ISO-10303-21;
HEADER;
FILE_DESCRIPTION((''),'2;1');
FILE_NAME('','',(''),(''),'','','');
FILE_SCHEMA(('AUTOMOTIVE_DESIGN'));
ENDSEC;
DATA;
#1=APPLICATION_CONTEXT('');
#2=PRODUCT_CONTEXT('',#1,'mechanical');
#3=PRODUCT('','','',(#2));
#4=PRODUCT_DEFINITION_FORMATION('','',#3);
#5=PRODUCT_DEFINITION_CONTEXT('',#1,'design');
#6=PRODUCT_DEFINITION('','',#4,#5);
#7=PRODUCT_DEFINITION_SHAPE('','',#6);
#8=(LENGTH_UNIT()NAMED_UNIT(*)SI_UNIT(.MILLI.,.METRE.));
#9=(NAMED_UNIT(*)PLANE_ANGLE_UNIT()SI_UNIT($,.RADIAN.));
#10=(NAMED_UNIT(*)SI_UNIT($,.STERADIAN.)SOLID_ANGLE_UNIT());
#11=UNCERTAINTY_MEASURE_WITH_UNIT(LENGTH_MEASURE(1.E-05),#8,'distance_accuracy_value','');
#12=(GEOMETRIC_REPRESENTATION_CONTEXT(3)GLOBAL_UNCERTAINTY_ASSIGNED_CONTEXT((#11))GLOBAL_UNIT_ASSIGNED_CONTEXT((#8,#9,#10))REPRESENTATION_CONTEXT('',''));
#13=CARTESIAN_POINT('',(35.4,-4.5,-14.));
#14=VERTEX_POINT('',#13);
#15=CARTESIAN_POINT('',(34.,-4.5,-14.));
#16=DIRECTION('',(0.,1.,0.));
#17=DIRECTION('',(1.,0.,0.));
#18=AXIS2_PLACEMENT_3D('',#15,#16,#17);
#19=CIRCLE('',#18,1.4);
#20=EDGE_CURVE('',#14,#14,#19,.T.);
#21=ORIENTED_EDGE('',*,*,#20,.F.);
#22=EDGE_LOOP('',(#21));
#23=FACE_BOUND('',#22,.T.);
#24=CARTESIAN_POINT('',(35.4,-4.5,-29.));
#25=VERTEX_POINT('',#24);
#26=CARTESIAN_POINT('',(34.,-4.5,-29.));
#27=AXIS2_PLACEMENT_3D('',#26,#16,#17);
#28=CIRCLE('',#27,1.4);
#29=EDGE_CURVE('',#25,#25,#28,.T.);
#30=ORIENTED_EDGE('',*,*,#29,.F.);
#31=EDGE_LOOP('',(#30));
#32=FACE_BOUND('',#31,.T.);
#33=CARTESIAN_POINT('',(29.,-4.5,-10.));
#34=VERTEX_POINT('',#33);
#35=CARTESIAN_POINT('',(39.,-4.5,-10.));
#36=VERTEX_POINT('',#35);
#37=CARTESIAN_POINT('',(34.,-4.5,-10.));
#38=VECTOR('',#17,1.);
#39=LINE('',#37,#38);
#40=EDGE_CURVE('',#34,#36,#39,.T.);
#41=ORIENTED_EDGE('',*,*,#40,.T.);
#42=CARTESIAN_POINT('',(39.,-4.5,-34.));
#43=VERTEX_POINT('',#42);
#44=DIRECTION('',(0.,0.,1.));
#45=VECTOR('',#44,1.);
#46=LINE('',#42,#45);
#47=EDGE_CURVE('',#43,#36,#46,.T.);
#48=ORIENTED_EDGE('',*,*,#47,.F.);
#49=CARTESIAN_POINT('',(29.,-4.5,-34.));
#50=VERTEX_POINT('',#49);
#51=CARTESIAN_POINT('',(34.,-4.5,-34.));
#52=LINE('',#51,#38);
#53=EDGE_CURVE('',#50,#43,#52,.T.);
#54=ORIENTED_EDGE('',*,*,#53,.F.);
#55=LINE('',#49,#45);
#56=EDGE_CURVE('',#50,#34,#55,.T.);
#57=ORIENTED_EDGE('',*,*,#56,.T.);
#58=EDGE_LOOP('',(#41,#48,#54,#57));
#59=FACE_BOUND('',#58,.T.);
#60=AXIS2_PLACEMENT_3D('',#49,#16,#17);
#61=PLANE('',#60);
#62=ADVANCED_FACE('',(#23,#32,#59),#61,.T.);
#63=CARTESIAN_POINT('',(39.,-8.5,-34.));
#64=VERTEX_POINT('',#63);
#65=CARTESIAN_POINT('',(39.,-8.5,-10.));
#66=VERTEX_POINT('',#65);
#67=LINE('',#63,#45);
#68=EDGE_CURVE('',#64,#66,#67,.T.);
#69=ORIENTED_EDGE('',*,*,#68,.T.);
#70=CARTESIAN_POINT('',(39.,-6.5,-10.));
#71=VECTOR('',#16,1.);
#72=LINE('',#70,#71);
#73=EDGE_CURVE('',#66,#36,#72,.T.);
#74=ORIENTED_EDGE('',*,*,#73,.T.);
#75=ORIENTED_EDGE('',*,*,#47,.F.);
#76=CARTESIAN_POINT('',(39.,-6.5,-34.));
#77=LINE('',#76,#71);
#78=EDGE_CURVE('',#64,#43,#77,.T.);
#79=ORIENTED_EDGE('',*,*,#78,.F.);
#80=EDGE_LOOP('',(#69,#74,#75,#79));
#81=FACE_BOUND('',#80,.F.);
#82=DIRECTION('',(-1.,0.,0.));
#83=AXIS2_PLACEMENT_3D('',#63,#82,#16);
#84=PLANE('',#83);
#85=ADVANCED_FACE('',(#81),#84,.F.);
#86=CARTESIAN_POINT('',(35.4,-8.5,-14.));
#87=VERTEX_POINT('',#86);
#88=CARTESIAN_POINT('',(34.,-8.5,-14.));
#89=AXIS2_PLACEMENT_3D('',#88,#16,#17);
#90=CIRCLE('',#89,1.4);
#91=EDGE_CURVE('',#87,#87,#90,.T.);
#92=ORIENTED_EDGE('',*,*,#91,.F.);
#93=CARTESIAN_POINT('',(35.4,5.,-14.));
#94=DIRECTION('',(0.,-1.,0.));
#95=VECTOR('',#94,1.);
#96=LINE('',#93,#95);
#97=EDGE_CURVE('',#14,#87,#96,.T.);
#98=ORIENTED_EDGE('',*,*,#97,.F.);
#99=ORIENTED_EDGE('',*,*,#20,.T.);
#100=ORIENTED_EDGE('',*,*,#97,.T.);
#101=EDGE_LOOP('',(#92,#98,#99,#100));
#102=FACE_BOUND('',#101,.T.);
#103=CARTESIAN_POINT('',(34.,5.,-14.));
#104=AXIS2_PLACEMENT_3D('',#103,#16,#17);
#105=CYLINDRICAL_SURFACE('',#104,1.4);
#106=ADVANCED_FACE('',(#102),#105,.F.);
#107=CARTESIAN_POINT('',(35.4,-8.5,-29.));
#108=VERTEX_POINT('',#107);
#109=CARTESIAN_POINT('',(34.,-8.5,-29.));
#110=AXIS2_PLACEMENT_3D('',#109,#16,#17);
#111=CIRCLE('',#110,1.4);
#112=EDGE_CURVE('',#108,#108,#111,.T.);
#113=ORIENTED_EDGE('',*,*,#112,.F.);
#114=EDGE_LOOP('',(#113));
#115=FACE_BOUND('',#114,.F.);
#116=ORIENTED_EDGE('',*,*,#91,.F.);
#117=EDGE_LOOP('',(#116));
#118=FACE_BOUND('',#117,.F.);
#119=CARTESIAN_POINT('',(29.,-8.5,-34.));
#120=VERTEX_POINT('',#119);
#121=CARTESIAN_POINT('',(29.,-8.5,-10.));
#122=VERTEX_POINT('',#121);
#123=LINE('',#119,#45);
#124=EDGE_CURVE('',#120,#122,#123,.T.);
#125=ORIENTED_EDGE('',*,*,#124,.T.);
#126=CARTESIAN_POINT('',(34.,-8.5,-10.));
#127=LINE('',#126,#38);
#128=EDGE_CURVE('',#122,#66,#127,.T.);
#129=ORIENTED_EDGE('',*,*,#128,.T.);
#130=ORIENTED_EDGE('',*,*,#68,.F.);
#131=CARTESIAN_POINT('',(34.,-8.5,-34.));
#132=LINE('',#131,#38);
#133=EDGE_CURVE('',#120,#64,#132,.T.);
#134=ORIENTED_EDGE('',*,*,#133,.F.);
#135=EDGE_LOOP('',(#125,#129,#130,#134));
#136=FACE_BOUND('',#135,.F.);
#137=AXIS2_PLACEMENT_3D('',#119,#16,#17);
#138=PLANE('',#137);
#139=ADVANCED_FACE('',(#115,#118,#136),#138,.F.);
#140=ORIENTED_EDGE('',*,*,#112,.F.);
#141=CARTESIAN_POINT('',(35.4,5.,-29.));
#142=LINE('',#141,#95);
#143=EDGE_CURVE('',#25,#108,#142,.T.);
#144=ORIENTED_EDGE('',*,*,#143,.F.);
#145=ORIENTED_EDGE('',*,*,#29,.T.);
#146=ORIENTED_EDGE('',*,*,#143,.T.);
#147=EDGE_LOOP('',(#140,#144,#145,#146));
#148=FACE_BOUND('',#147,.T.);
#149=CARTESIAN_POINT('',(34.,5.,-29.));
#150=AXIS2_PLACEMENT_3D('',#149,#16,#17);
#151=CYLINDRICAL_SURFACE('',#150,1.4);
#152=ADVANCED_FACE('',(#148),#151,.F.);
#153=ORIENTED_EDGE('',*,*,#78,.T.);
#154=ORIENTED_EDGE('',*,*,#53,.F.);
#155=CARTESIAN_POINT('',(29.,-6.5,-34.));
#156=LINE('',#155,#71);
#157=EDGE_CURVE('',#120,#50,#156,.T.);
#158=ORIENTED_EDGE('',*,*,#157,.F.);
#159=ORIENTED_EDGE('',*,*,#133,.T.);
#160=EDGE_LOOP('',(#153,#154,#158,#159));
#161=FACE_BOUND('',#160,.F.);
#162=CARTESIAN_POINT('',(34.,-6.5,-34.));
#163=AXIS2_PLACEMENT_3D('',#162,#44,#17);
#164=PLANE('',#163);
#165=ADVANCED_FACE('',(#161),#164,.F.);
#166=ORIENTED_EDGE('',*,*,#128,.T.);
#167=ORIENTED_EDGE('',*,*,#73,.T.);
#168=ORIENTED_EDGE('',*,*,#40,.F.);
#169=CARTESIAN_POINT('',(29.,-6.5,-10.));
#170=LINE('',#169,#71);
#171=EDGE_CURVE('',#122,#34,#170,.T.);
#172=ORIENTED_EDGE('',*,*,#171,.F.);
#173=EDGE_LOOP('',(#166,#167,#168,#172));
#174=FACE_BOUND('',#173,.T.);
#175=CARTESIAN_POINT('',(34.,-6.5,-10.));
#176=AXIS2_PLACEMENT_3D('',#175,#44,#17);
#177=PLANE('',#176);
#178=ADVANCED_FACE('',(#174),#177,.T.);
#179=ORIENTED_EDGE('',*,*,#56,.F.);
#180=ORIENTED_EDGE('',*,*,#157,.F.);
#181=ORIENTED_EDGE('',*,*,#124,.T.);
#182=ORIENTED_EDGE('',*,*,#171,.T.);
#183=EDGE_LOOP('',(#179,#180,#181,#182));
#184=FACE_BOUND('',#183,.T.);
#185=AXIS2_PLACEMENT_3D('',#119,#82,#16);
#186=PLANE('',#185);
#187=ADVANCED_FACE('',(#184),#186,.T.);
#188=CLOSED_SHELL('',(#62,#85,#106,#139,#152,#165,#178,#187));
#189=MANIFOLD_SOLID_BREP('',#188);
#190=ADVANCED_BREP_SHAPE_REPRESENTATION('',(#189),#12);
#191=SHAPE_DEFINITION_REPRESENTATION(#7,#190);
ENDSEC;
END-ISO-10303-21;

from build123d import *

# Parameters (mm, degrees)
CYLINDER231_R          = 1.4
CYLINDER231_DEPTH      = 20
CYLINDER231_ROLL_ANGLE = 90
CYLINDER230_R          = 1.4
CYLINDER230_DEPTH      = 20
CYLINDER230_ROLL_ANGLE = 90
BOX001027045174_W      = 10
BOX001027045174_H      = 4
BOX001027045174_DEPTH  = 24


with BuildPart() as m3_tap006:
    # Cylinder231 → Cylinder231 (new body)
    with BuildSketch(Plane.XY):
        Circle(CYLINDER231_R)
    extrude(amount=CYLINDER231_DEPTH)


with BuildPart() as m3_tap006_1:
    # Cylinder231 roll: moved
    add(m3_tap006.part.rotate(Axis((0, 0, 0), (1, 0, 0)), CYLINDER231_ROLL_ANGLE))


with BuildPart() as m3_tap006_2:
    # Cylinder231 placement: moved
    add(m3_tap006_1.part.moved(Location((34, 5, -29))))


with BuildPart() as fusion112123:
    # Cylinder230 → Cylinder230 (new body)
    with BuildSketch(Plane.XY):
        Circle(CYLINDER230_R)
    extrude(amount=CYLINDER230_DEPTH)


with BuildPart() as fusion112123_1:
    # Cylinder230 roll: moved
    add(fusion112123.part.rotate(Axis((0, 0, 0), (1, 0, 0)), CYLINDER230_ROLL_ANGLE))


with BuildPart() as fusion112123_2:
    # Cylinder230 placement: moved
    add(fusion112123_1.part.moved(Location((34, 5, -14))))

    # Fusion112123: union M3-tap006
    add(m3_tap006_2.part)


with BuildPart() as join_plate:
    # Box001027045174 → Box001027045174 (new body)
    with BuildSketch(Plane(origin=(29, -8.5, -34), x_dir=(1, 0, 0), z_dir=(0, 0, 1))):
        with Locations((5, 2)):
            Rectangle(BOX001027045174_W, BOX001027045174_H)
    extrude(amount=BOX001027045174_DEPTH)

    # Cut209: cut Fusion112123
    add(fusion112123_2.part, mode=Mode.SUBTRACT)


solid = join_plate.part
